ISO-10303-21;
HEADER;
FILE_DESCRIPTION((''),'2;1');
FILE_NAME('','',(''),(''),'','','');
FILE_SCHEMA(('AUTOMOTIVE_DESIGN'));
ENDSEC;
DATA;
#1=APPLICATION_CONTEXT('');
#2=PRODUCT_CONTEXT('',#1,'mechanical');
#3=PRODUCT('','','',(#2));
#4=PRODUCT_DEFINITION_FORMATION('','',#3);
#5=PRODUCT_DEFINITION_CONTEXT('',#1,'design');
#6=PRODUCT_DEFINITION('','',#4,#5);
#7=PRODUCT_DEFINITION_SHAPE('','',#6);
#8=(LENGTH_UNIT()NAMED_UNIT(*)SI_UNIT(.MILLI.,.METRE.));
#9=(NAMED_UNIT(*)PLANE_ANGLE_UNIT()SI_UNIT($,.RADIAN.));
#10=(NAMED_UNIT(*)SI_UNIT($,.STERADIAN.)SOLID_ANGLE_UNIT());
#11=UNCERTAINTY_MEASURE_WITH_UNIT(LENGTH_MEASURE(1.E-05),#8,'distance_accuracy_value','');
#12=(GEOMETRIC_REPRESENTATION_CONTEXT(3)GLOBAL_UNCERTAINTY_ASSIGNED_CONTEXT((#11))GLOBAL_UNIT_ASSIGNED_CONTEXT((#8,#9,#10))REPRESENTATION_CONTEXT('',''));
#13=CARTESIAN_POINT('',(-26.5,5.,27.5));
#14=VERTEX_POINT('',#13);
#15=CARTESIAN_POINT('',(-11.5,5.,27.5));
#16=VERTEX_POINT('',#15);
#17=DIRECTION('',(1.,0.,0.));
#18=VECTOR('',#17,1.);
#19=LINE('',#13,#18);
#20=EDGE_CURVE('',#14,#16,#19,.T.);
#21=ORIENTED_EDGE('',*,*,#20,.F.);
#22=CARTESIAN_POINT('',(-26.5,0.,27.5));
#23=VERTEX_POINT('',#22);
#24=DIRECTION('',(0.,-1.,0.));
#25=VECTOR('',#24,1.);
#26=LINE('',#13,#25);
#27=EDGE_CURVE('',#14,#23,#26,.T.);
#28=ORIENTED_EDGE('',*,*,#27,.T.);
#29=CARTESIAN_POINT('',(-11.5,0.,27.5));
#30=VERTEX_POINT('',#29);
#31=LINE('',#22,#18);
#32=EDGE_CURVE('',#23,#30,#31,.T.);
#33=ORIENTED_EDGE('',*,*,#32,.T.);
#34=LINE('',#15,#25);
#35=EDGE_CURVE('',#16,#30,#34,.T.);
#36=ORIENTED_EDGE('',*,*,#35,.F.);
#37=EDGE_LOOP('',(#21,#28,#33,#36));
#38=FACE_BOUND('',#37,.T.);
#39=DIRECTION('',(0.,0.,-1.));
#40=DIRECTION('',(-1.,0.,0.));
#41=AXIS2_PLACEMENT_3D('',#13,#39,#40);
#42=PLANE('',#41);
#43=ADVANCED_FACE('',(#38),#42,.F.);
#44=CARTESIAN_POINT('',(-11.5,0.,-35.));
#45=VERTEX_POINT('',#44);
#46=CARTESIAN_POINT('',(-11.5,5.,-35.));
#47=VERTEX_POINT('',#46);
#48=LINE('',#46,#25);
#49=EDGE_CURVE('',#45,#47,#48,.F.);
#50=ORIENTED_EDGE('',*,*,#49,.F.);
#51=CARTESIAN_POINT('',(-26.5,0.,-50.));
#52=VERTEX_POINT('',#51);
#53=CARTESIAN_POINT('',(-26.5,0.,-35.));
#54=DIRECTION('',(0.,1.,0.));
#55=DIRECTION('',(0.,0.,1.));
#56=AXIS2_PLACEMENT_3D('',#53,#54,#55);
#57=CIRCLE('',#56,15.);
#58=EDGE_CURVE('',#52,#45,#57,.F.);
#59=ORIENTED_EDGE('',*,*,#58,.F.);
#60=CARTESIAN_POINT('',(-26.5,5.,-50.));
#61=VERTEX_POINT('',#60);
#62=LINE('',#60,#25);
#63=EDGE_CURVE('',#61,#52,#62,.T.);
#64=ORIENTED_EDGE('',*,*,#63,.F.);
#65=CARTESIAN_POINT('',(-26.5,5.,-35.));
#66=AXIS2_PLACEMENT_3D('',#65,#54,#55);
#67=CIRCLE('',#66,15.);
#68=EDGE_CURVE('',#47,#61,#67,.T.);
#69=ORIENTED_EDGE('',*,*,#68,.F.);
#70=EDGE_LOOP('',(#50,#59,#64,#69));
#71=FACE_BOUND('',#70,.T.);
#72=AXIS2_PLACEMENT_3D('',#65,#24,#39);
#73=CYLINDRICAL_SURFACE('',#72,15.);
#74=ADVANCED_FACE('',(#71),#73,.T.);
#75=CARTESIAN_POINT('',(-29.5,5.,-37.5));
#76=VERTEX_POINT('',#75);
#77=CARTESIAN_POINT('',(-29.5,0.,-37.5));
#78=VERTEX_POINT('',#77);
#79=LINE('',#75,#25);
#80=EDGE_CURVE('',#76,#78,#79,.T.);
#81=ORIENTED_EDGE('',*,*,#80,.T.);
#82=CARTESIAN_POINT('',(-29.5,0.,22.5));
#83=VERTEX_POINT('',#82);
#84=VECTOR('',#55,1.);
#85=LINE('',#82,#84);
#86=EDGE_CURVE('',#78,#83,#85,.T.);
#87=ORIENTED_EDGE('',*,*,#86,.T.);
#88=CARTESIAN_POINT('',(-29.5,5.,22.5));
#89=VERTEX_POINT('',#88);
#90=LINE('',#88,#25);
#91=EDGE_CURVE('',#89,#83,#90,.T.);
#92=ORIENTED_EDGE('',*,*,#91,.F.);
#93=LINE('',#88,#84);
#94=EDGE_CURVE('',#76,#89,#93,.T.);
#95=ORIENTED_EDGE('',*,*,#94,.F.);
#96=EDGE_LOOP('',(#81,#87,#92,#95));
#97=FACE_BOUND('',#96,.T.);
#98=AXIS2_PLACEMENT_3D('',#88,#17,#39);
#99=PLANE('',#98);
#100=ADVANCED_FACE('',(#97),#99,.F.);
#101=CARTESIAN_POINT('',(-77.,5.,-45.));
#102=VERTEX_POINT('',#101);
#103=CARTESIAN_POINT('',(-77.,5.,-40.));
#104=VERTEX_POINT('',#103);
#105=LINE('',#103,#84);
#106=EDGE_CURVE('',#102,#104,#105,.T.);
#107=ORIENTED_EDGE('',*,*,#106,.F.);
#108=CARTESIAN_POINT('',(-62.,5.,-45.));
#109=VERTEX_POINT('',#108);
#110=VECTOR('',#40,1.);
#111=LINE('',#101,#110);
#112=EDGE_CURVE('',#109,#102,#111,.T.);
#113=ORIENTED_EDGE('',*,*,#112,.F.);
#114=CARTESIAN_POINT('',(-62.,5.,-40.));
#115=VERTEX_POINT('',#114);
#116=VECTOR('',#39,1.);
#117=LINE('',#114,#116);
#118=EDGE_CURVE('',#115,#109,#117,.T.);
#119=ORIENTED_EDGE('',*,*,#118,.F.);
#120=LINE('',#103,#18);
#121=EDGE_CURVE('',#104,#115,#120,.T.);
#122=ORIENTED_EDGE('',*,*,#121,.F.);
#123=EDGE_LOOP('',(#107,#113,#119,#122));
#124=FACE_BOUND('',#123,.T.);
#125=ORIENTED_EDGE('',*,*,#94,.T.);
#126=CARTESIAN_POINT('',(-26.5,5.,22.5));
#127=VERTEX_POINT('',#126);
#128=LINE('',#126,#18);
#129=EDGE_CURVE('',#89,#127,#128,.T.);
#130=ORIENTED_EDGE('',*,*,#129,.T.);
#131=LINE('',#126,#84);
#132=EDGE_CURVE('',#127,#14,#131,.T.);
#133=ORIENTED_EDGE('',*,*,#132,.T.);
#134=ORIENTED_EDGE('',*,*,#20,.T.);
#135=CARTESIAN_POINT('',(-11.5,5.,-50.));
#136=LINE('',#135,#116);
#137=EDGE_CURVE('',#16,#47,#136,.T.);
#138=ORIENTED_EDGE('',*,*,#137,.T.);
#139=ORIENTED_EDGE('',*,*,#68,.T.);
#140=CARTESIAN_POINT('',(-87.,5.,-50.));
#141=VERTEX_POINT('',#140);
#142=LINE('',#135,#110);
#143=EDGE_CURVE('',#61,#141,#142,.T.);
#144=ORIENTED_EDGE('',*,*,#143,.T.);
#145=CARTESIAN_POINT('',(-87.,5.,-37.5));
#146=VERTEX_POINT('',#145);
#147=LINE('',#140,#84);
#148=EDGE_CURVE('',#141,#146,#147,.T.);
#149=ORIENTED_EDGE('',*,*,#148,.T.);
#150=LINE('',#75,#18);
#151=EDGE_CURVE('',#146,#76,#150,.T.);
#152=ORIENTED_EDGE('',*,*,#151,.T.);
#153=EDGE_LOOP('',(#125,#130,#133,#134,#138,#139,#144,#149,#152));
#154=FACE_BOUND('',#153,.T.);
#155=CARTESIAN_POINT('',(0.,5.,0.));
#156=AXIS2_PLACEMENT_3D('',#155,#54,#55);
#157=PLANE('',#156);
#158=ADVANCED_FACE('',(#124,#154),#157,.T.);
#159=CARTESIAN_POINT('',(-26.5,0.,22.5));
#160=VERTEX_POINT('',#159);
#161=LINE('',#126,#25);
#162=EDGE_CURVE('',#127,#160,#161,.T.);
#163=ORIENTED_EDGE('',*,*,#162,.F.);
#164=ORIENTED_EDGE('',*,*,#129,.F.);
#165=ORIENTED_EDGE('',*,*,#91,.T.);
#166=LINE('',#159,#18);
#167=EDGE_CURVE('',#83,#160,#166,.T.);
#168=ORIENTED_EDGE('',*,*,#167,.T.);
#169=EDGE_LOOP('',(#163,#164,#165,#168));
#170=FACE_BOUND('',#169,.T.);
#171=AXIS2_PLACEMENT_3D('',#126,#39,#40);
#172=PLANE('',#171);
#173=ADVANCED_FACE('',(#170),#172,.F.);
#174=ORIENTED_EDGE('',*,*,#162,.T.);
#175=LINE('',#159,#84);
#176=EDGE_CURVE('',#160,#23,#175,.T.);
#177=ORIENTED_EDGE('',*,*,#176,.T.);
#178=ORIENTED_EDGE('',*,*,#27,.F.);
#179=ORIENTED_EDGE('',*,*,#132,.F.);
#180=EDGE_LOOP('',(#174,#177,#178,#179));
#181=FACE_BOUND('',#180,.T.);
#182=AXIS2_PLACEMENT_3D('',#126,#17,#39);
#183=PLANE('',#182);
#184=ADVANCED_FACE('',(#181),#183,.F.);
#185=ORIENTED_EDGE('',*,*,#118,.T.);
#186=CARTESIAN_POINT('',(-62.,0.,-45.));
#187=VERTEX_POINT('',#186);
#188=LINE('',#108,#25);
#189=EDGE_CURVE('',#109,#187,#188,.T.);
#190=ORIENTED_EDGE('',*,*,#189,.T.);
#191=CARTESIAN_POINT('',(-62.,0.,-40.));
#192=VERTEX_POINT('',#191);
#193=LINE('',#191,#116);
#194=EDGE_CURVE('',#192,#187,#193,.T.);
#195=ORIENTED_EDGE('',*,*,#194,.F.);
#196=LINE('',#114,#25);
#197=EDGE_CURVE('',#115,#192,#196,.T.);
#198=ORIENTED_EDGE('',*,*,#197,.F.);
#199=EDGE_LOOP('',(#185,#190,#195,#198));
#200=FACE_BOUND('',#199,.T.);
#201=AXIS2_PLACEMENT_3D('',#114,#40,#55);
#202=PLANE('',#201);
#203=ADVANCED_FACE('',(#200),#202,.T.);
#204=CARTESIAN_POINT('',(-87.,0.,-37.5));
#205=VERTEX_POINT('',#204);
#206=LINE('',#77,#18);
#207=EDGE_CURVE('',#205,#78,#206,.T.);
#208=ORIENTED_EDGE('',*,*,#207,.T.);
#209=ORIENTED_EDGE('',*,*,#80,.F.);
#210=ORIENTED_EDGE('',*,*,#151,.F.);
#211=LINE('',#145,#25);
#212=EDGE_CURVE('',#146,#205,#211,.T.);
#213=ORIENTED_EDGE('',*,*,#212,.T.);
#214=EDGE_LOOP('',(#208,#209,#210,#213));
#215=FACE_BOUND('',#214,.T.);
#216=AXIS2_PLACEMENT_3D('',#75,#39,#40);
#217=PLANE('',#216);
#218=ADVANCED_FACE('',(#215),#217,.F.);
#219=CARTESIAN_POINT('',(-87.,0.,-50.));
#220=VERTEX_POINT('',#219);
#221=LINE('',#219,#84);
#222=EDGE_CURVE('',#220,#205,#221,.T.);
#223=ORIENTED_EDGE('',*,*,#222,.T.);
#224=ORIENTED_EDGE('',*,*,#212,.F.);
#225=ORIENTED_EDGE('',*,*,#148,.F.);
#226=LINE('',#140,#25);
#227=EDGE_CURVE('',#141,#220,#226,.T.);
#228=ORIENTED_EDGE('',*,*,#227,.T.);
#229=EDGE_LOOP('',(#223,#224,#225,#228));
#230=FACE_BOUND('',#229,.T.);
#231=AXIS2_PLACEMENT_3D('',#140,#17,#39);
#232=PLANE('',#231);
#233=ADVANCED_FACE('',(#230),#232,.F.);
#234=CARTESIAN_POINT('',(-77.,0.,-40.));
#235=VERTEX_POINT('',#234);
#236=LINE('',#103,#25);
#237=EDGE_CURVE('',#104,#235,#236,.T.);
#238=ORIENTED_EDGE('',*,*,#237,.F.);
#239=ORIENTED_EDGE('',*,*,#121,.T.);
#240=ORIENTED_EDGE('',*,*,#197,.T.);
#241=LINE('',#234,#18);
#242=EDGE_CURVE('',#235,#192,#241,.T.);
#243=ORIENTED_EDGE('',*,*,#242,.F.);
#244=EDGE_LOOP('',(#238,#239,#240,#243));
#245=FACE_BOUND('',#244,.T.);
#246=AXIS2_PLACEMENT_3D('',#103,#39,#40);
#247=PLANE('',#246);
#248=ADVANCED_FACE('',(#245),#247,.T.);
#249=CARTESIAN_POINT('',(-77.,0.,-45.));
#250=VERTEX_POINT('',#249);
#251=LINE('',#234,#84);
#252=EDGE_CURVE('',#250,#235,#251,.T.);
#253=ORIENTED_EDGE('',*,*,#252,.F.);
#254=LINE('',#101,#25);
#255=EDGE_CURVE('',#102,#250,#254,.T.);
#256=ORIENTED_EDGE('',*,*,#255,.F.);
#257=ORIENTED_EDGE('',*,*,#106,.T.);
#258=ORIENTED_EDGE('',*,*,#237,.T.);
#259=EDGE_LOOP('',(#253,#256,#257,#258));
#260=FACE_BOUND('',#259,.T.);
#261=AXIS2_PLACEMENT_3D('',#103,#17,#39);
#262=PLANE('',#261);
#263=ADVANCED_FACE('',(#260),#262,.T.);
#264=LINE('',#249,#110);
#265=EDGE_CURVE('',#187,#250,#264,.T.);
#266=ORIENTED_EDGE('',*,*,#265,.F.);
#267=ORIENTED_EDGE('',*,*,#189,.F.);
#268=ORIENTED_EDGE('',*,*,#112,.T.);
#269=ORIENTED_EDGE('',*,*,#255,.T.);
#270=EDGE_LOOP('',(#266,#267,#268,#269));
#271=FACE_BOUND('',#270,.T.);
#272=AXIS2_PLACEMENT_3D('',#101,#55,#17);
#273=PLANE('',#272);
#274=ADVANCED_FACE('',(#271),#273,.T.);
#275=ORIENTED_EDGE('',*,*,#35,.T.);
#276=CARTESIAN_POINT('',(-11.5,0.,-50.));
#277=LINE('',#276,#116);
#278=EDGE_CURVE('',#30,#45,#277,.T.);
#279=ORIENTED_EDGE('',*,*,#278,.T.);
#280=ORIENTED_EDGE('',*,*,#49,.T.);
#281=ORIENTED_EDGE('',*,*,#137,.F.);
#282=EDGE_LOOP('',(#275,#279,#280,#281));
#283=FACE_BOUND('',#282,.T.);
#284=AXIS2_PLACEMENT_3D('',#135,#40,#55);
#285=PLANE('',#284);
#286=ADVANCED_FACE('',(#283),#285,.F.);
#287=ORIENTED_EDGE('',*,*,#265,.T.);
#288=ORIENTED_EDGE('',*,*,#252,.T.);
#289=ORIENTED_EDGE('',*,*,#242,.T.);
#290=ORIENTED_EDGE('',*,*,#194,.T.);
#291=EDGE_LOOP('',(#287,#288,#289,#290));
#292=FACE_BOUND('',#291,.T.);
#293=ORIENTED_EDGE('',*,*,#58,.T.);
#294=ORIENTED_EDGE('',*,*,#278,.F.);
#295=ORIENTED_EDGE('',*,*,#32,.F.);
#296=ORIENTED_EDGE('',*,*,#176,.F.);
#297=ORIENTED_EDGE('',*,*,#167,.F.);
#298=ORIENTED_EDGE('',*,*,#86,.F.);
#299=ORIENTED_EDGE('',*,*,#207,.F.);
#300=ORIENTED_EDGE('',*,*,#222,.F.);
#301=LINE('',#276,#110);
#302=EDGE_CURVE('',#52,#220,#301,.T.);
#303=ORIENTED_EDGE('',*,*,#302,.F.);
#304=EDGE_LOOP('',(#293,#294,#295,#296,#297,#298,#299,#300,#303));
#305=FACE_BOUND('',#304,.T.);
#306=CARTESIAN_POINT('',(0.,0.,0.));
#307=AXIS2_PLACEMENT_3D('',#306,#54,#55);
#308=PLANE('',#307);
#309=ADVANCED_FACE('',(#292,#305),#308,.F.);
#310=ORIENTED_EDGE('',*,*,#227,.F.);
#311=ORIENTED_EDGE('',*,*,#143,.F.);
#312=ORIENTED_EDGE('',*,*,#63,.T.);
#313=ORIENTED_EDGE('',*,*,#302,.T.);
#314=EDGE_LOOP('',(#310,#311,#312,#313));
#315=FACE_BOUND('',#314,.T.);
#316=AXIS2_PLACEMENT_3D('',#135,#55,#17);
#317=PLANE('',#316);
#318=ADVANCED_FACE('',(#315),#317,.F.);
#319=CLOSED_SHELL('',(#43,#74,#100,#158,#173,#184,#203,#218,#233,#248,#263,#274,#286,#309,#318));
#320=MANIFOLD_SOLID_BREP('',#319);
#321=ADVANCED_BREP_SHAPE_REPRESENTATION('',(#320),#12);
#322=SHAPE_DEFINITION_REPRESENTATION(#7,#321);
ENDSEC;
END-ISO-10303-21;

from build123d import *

# Parameters (mm, degrees)
SKETCH1_W           = 15
SKETCH1_H           = 5
BOSS_EXTRUDE1_DEPTH = 5
FILLET3_R           = 15


with BuildPart() as part:
    # Sketch1 → Boss-Extrude1 (new body)
    with BuildSketch(Plane(origin=(0, 0, 0), x_dir=(1, 0, 0), z_dir=(0, 1, 0))):
        Polygon((-26.5, -22.5), (-29.5, -22.5), (-29.5, 37.5), (-87, 37.5), (-87, 50), (-11.5, 50), (-11.5, -27.5), (-26.5, -27.5), align=None)
        with Locations((-69.5, 42.5)):
            Rectangle(SKETCH1_W, SKETCH1_H, mode=Mode.SUBTRACT)
    extrude(amount=BOSS_EXTRUDE1_DEPTH)

    # Fillet3
    fillet3_edges = [part.edges().sort_by_distance(p)[0] for p in [
        (-11.5, 2.5, -50),
    ]]
    fillet(fillet3_edges, radius=FILLET3_R)


solid = part.part
